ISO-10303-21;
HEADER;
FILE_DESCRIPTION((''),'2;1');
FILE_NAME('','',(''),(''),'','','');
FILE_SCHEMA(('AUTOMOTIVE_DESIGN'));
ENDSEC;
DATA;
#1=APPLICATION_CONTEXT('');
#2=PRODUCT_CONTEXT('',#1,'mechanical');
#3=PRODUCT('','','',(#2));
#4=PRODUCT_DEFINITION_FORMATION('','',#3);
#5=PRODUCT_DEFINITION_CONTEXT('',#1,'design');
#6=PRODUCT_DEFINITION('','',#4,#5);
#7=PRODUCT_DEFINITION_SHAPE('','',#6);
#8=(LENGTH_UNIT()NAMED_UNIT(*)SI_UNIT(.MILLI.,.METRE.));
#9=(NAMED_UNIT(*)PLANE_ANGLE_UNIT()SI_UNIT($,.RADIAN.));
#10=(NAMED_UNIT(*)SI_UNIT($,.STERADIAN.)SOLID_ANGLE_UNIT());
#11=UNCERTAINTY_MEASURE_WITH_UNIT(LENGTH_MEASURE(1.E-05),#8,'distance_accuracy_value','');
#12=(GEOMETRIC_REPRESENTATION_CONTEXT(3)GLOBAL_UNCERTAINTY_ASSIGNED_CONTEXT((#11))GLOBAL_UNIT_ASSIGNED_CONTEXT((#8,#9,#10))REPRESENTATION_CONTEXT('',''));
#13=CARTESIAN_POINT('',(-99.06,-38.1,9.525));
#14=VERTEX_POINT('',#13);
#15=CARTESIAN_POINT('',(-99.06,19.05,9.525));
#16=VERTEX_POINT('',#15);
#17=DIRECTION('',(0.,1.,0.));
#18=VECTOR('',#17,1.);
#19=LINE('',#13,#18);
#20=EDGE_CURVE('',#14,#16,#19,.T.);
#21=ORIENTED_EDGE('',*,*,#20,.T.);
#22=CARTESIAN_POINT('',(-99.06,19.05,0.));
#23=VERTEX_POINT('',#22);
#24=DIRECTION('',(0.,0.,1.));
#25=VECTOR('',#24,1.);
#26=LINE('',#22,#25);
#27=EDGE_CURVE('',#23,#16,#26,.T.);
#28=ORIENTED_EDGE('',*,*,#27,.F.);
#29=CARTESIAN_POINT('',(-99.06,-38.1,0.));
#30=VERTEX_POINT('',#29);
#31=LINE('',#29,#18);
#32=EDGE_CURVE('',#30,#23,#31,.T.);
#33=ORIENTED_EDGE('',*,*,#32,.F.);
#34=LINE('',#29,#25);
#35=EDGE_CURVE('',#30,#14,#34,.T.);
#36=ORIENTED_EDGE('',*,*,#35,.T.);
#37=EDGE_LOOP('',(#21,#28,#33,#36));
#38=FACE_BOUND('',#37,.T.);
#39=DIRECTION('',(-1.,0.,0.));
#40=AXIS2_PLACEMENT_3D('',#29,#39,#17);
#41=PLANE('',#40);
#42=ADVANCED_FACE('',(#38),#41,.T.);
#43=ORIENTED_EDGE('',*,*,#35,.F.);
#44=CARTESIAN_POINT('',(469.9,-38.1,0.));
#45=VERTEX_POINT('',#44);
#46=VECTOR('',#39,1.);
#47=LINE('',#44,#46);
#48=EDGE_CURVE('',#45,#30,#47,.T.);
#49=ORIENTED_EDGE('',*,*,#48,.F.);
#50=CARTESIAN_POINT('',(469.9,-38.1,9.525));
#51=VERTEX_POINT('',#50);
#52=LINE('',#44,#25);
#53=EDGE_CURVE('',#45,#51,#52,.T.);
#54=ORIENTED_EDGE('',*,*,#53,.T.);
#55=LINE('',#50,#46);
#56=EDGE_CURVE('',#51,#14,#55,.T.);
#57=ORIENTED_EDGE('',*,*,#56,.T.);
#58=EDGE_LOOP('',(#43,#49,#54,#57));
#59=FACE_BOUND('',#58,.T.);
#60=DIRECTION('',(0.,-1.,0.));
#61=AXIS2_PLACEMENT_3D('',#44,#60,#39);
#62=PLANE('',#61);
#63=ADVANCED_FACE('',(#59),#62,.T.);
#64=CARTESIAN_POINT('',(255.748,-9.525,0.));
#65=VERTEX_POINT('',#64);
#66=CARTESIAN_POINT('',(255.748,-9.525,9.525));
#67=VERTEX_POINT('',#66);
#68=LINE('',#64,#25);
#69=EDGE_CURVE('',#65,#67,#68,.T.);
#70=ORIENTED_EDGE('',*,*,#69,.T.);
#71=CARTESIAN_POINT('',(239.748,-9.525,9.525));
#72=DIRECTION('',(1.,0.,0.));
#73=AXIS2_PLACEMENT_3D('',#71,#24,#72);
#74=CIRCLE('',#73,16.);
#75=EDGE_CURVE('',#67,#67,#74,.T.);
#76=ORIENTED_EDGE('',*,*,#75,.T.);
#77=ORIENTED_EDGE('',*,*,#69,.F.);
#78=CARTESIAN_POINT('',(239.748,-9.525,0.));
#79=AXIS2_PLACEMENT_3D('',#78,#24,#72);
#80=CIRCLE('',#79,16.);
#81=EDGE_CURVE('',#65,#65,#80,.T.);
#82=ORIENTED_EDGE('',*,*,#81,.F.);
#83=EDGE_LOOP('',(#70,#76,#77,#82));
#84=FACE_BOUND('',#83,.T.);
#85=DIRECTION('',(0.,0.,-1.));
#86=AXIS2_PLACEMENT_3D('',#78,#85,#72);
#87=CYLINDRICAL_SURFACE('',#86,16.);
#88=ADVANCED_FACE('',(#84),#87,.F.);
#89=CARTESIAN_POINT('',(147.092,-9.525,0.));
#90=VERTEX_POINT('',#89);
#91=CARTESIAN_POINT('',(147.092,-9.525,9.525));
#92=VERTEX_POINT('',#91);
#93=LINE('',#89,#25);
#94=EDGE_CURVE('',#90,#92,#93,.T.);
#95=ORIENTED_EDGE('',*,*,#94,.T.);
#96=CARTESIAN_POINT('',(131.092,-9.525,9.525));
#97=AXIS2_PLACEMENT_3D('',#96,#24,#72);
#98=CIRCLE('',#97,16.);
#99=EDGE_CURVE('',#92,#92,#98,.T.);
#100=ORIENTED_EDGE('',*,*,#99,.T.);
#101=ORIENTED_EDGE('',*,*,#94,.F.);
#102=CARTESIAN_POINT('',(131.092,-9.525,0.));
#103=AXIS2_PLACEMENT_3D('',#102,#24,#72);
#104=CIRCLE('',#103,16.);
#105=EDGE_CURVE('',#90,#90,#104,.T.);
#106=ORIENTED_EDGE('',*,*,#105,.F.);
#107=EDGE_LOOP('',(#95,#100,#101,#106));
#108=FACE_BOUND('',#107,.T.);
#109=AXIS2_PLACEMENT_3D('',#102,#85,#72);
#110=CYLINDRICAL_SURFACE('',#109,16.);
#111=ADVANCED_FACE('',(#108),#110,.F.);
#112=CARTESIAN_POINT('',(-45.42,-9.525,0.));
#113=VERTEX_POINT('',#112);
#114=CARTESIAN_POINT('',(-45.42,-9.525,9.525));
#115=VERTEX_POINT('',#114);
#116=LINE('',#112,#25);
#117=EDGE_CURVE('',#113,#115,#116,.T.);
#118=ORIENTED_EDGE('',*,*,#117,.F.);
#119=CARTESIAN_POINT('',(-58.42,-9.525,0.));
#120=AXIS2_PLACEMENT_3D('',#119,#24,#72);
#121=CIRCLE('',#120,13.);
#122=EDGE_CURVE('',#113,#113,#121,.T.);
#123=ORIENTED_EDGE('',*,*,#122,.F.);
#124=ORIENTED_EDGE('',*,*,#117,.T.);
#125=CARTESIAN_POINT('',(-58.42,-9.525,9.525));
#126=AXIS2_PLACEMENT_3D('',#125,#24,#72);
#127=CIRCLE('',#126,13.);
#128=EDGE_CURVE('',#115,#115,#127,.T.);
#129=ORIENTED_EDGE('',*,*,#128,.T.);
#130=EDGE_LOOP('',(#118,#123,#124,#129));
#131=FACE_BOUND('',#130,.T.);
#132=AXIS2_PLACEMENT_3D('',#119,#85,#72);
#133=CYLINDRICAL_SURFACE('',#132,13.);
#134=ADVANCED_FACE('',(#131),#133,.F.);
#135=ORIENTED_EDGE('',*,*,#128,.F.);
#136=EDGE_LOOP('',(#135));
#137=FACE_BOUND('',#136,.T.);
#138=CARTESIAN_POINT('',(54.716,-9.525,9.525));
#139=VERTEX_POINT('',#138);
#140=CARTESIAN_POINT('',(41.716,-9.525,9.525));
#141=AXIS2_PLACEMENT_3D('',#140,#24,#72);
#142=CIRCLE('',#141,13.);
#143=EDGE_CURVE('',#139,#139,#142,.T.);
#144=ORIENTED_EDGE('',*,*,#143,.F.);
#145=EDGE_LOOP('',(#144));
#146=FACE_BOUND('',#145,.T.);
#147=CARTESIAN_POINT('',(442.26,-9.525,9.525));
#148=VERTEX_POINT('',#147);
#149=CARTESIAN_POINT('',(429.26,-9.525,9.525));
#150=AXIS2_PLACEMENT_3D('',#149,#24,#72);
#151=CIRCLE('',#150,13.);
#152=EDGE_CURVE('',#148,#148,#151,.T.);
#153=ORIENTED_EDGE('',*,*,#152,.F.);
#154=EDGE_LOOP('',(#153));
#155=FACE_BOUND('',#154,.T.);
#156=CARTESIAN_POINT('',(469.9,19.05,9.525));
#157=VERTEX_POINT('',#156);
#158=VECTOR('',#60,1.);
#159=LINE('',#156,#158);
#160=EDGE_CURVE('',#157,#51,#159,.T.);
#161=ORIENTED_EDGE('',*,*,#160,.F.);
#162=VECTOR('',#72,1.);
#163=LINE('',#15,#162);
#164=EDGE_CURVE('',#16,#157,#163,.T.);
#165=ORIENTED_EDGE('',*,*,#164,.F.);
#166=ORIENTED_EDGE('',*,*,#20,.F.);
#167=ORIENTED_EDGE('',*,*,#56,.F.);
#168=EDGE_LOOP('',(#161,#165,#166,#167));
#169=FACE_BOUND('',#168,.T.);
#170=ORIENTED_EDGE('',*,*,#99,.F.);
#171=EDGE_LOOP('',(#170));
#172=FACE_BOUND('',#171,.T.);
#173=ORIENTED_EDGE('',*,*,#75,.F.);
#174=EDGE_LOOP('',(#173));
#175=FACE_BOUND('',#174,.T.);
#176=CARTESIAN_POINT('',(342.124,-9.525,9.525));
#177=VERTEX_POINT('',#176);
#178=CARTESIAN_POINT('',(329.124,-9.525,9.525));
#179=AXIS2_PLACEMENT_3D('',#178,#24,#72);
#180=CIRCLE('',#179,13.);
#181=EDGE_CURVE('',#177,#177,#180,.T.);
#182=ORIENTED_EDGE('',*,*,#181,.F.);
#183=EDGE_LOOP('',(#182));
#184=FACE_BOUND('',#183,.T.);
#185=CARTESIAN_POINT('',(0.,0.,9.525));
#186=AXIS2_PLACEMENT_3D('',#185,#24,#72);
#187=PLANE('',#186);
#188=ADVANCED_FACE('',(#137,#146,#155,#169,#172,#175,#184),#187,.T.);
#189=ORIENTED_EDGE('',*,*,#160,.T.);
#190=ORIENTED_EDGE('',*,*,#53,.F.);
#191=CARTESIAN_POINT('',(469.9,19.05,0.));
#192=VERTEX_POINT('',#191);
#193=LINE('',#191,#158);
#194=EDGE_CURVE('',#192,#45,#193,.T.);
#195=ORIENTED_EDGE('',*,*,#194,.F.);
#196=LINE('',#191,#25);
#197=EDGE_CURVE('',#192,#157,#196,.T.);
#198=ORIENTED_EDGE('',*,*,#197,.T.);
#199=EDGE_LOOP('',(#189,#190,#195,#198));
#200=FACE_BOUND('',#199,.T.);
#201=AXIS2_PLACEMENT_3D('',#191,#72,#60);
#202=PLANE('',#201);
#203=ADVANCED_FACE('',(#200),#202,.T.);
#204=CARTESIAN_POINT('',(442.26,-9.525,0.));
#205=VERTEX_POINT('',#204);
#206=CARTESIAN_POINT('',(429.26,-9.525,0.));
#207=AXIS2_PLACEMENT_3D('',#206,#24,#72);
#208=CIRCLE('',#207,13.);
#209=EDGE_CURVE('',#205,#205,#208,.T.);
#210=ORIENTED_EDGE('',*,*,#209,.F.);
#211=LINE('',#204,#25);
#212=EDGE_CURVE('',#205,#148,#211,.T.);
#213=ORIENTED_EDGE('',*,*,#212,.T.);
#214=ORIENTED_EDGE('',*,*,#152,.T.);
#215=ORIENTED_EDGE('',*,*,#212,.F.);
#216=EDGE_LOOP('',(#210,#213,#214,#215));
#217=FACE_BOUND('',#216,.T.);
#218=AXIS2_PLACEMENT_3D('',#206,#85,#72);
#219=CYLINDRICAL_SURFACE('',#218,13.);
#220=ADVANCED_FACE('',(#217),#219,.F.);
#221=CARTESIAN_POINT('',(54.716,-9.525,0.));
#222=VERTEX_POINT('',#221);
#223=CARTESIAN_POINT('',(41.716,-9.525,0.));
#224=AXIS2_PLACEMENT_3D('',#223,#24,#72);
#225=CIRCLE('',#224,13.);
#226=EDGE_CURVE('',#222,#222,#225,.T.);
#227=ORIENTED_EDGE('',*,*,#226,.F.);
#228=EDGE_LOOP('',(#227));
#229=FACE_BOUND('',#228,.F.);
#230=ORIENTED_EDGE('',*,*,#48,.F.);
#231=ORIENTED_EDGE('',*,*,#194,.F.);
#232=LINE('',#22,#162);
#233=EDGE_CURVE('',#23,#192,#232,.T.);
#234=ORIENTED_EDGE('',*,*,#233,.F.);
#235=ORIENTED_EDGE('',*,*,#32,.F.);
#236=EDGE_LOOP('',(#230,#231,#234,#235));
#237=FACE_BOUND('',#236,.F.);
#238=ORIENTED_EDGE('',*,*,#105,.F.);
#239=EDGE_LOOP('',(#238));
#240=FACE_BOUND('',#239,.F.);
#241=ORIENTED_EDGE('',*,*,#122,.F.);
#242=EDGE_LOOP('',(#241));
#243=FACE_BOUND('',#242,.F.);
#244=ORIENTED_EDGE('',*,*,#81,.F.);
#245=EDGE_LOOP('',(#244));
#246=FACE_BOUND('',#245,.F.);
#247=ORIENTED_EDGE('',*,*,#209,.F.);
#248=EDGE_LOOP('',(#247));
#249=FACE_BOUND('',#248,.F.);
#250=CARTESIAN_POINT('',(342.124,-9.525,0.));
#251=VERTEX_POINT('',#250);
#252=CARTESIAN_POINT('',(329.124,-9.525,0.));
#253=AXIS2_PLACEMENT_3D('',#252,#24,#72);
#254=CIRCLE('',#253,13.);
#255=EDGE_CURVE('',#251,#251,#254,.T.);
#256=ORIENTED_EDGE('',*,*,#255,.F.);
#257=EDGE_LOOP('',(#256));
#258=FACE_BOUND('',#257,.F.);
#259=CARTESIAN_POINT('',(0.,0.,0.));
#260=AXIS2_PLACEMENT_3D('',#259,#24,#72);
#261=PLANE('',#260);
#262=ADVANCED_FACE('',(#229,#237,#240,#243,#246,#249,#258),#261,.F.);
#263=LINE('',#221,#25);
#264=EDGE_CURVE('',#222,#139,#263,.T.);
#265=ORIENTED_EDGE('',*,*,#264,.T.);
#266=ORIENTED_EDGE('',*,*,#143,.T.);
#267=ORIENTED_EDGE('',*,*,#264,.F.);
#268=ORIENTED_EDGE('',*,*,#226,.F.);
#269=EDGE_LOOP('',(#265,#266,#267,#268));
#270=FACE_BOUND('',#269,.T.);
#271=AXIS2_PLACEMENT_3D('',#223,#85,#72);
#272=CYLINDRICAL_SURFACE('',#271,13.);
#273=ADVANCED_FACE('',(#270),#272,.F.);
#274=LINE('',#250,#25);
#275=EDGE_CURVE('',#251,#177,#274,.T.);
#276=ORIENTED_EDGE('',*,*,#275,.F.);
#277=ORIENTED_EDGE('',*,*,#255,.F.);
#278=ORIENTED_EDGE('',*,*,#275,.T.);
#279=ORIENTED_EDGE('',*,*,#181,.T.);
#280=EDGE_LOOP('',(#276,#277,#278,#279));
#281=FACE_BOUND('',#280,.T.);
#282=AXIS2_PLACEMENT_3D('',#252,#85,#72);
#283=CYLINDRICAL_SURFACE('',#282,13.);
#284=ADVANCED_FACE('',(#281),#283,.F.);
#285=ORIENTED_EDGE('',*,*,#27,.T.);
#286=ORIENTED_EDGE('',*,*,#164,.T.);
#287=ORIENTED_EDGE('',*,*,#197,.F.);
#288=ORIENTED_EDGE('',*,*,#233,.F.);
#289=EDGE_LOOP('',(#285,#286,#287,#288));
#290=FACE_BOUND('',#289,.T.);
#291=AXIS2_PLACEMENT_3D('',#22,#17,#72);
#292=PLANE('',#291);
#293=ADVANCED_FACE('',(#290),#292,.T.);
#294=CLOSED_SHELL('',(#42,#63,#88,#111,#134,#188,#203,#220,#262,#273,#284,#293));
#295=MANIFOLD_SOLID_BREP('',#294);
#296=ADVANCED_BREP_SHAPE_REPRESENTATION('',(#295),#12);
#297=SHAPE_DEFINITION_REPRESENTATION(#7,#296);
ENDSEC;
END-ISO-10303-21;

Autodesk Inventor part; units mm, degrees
ref_plane "YZ Plane" through (0, 0, 0) normal (1, 0, 0) x (0, 1, 0)
ref_plane "XZ Plane" through (0, 0, 0) normal (0, 1, 0) x (-1, 0, 0)
ref_plane "XY Plane" through (0, 0, 0) normal (0, 0, 1) x (1, 0, 0)
sketch "Sketch1" plane through (0, 0, 0) normal (0, 0, 1) x (1, 0, 0)
  line L0 (-99.06, 19.05) -> (469.9, 19.05)
  line L1 (469.9, 19.05) -> (469.9, -38.1)
  line L2 (469.9, -38.1) -> (-99.06, -38.1)
  line L3 (-99.06, -38.1) -> (-99.06, 19.05)
  circle A0 centre (-58.42, -9.525) radius 13
  circle A1 centre (41.716, -9.525) radius 13
  circle A2 centre (131.092, -9.525) radius 16
  circle A3 centre (429.26, -9.525) radius 13
  circle A4 centre (329.124, -9.525) radius 13
  circle A5 centre (239.748, -9.525) radius 16
  point P0 (0, 0)
  dimension "d4" = 26
  dimension "d6" = 26
  dimension "d8" = 32
  dimension "d10" = 26
  dimension "d12" = 26
  dimension "d14" = 32
  dimension "d16" = 568.96
  dimension "d17" = 57.15
  dimension "d18" = 40.64
  dimension "d19" = 140.776
  dimension "d20" = 230.152
  dimension "d21" = 230.152
  dimension "d22" = 40.64
  dimension "d23" = 140.776
extrude "Extrusion1" add sketch "Sketch1" along normal blind 9.525
properties part number "BT-BTK120-DriveFrameSide" material "Aluminum 6061"
